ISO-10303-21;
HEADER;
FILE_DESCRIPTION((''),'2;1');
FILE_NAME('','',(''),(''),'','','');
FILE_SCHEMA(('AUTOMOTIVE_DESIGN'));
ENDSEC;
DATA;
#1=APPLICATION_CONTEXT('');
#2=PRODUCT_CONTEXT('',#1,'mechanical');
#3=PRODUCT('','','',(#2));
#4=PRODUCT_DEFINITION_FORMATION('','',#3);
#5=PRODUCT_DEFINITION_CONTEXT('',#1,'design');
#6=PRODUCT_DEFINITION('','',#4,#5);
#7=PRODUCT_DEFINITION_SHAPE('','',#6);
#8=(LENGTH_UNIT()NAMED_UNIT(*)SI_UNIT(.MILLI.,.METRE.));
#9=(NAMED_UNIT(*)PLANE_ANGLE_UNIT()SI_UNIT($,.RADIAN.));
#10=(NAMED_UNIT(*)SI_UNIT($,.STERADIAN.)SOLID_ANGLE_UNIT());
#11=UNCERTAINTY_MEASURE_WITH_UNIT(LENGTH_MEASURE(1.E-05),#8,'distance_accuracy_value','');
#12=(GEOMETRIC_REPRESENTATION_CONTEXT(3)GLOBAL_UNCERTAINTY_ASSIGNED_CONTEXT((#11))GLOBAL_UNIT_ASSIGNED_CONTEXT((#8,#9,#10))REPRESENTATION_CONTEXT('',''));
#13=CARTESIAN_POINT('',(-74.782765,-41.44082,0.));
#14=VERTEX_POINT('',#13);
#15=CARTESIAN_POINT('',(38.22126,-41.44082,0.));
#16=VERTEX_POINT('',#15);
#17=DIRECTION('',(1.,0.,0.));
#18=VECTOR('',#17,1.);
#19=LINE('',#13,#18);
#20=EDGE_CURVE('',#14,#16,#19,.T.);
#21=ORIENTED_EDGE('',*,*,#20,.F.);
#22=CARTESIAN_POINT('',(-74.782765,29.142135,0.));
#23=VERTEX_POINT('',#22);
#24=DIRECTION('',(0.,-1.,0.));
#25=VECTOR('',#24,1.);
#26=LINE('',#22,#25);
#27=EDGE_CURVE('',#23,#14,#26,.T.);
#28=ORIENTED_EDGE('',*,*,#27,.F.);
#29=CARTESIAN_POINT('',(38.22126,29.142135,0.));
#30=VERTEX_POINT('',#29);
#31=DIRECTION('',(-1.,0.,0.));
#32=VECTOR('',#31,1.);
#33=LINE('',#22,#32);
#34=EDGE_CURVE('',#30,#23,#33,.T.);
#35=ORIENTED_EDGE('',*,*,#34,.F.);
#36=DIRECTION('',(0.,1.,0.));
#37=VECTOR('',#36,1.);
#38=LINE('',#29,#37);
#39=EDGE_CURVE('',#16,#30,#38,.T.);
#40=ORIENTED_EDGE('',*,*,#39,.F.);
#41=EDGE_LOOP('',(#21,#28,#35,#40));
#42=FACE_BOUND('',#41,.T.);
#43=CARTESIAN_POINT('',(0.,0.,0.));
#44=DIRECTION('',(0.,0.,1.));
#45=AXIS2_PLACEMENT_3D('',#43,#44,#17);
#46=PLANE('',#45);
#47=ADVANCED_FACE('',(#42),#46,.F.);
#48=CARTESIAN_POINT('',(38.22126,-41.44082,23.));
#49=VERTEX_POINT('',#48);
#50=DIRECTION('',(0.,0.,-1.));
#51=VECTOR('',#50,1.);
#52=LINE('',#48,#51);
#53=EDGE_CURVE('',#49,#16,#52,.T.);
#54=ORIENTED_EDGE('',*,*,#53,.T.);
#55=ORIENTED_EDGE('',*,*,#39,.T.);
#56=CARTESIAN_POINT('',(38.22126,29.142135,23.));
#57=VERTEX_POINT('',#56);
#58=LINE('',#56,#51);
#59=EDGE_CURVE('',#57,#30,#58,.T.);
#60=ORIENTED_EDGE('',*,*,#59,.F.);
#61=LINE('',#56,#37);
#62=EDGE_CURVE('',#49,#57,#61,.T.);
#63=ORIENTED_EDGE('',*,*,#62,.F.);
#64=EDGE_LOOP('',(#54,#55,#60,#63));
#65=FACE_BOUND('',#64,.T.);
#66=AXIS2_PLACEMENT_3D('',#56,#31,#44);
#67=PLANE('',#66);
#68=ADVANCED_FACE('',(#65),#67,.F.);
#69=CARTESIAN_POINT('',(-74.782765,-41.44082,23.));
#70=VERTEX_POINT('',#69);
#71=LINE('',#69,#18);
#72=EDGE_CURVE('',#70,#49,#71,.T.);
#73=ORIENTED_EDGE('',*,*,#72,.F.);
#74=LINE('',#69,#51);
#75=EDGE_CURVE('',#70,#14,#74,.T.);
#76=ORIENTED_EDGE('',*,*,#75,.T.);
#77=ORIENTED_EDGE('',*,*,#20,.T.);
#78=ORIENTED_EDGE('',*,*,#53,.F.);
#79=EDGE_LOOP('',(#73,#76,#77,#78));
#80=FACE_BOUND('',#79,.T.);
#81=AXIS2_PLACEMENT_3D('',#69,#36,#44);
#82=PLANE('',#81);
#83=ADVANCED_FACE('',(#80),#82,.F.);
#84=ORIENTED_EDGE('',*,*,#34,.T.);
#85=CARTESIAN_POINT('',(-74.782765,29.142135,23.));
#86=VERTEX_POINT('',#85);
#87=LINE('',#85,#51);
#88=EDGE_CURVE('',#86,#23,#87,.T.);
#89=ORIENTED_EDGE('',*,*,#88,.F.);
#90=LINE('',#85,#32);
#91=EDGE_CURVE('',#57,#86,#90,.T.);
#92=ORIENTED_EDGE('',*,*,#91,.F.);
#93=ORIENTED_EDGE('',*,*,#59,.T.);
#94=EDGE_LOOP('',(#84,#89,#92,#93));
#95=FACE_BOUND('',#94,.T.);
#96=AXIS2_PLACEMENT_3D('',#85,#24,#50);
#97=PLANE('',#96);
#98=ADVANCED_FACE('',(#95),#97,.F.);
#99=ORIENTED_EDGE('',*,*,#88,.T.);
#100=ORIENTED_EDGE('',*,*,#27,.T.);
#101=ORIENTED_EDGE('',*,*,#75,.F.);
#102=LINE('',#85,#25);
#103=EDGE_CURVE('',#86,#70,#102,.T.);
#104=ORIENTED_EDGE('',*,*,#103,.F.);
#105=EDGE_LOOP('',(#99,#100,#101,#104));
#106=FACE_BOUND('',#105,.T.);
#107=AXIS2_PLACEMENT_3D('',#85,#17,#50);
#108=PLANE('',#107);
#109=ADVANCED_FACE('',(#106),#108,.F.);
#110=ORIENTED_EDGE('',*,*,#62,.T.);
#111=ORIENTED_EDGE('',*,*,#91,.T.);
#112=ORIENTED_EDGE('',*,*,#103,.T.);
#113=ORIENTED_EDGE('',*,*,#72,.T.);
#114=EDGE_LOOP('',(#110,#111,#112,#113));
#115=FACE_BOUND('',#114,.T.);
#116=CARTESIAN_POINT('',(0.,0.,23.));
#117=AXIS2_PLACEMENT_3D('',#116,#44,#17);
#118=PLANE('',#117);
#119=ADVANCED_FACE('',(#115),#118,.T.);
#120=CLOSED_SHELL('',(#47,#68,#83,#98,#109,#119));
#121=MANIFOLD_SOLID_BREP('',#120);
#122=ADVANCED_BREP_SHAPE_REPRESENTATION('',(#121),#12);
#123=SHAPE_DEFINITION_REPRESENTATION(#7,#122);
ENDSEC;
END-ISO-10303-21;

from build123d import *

# Parameters (mm, degrees)
SKETCH1_W      = 113.004025211
SKETCH1_H      = 70.58295581
EXTRUDE1_DEPTH = 23


with BuildPart() as part:
    # Sketch1 → Extrude1 (new body)
    with BuildSketch(Plane.XY):
        with Locations((-18.280752446, -6.149342469)):
            Rectangle(SKETCH1_W, SKETCH1_H)
    extrude(amount=EXTRUDE1_DEPTH)


solid = part.part
